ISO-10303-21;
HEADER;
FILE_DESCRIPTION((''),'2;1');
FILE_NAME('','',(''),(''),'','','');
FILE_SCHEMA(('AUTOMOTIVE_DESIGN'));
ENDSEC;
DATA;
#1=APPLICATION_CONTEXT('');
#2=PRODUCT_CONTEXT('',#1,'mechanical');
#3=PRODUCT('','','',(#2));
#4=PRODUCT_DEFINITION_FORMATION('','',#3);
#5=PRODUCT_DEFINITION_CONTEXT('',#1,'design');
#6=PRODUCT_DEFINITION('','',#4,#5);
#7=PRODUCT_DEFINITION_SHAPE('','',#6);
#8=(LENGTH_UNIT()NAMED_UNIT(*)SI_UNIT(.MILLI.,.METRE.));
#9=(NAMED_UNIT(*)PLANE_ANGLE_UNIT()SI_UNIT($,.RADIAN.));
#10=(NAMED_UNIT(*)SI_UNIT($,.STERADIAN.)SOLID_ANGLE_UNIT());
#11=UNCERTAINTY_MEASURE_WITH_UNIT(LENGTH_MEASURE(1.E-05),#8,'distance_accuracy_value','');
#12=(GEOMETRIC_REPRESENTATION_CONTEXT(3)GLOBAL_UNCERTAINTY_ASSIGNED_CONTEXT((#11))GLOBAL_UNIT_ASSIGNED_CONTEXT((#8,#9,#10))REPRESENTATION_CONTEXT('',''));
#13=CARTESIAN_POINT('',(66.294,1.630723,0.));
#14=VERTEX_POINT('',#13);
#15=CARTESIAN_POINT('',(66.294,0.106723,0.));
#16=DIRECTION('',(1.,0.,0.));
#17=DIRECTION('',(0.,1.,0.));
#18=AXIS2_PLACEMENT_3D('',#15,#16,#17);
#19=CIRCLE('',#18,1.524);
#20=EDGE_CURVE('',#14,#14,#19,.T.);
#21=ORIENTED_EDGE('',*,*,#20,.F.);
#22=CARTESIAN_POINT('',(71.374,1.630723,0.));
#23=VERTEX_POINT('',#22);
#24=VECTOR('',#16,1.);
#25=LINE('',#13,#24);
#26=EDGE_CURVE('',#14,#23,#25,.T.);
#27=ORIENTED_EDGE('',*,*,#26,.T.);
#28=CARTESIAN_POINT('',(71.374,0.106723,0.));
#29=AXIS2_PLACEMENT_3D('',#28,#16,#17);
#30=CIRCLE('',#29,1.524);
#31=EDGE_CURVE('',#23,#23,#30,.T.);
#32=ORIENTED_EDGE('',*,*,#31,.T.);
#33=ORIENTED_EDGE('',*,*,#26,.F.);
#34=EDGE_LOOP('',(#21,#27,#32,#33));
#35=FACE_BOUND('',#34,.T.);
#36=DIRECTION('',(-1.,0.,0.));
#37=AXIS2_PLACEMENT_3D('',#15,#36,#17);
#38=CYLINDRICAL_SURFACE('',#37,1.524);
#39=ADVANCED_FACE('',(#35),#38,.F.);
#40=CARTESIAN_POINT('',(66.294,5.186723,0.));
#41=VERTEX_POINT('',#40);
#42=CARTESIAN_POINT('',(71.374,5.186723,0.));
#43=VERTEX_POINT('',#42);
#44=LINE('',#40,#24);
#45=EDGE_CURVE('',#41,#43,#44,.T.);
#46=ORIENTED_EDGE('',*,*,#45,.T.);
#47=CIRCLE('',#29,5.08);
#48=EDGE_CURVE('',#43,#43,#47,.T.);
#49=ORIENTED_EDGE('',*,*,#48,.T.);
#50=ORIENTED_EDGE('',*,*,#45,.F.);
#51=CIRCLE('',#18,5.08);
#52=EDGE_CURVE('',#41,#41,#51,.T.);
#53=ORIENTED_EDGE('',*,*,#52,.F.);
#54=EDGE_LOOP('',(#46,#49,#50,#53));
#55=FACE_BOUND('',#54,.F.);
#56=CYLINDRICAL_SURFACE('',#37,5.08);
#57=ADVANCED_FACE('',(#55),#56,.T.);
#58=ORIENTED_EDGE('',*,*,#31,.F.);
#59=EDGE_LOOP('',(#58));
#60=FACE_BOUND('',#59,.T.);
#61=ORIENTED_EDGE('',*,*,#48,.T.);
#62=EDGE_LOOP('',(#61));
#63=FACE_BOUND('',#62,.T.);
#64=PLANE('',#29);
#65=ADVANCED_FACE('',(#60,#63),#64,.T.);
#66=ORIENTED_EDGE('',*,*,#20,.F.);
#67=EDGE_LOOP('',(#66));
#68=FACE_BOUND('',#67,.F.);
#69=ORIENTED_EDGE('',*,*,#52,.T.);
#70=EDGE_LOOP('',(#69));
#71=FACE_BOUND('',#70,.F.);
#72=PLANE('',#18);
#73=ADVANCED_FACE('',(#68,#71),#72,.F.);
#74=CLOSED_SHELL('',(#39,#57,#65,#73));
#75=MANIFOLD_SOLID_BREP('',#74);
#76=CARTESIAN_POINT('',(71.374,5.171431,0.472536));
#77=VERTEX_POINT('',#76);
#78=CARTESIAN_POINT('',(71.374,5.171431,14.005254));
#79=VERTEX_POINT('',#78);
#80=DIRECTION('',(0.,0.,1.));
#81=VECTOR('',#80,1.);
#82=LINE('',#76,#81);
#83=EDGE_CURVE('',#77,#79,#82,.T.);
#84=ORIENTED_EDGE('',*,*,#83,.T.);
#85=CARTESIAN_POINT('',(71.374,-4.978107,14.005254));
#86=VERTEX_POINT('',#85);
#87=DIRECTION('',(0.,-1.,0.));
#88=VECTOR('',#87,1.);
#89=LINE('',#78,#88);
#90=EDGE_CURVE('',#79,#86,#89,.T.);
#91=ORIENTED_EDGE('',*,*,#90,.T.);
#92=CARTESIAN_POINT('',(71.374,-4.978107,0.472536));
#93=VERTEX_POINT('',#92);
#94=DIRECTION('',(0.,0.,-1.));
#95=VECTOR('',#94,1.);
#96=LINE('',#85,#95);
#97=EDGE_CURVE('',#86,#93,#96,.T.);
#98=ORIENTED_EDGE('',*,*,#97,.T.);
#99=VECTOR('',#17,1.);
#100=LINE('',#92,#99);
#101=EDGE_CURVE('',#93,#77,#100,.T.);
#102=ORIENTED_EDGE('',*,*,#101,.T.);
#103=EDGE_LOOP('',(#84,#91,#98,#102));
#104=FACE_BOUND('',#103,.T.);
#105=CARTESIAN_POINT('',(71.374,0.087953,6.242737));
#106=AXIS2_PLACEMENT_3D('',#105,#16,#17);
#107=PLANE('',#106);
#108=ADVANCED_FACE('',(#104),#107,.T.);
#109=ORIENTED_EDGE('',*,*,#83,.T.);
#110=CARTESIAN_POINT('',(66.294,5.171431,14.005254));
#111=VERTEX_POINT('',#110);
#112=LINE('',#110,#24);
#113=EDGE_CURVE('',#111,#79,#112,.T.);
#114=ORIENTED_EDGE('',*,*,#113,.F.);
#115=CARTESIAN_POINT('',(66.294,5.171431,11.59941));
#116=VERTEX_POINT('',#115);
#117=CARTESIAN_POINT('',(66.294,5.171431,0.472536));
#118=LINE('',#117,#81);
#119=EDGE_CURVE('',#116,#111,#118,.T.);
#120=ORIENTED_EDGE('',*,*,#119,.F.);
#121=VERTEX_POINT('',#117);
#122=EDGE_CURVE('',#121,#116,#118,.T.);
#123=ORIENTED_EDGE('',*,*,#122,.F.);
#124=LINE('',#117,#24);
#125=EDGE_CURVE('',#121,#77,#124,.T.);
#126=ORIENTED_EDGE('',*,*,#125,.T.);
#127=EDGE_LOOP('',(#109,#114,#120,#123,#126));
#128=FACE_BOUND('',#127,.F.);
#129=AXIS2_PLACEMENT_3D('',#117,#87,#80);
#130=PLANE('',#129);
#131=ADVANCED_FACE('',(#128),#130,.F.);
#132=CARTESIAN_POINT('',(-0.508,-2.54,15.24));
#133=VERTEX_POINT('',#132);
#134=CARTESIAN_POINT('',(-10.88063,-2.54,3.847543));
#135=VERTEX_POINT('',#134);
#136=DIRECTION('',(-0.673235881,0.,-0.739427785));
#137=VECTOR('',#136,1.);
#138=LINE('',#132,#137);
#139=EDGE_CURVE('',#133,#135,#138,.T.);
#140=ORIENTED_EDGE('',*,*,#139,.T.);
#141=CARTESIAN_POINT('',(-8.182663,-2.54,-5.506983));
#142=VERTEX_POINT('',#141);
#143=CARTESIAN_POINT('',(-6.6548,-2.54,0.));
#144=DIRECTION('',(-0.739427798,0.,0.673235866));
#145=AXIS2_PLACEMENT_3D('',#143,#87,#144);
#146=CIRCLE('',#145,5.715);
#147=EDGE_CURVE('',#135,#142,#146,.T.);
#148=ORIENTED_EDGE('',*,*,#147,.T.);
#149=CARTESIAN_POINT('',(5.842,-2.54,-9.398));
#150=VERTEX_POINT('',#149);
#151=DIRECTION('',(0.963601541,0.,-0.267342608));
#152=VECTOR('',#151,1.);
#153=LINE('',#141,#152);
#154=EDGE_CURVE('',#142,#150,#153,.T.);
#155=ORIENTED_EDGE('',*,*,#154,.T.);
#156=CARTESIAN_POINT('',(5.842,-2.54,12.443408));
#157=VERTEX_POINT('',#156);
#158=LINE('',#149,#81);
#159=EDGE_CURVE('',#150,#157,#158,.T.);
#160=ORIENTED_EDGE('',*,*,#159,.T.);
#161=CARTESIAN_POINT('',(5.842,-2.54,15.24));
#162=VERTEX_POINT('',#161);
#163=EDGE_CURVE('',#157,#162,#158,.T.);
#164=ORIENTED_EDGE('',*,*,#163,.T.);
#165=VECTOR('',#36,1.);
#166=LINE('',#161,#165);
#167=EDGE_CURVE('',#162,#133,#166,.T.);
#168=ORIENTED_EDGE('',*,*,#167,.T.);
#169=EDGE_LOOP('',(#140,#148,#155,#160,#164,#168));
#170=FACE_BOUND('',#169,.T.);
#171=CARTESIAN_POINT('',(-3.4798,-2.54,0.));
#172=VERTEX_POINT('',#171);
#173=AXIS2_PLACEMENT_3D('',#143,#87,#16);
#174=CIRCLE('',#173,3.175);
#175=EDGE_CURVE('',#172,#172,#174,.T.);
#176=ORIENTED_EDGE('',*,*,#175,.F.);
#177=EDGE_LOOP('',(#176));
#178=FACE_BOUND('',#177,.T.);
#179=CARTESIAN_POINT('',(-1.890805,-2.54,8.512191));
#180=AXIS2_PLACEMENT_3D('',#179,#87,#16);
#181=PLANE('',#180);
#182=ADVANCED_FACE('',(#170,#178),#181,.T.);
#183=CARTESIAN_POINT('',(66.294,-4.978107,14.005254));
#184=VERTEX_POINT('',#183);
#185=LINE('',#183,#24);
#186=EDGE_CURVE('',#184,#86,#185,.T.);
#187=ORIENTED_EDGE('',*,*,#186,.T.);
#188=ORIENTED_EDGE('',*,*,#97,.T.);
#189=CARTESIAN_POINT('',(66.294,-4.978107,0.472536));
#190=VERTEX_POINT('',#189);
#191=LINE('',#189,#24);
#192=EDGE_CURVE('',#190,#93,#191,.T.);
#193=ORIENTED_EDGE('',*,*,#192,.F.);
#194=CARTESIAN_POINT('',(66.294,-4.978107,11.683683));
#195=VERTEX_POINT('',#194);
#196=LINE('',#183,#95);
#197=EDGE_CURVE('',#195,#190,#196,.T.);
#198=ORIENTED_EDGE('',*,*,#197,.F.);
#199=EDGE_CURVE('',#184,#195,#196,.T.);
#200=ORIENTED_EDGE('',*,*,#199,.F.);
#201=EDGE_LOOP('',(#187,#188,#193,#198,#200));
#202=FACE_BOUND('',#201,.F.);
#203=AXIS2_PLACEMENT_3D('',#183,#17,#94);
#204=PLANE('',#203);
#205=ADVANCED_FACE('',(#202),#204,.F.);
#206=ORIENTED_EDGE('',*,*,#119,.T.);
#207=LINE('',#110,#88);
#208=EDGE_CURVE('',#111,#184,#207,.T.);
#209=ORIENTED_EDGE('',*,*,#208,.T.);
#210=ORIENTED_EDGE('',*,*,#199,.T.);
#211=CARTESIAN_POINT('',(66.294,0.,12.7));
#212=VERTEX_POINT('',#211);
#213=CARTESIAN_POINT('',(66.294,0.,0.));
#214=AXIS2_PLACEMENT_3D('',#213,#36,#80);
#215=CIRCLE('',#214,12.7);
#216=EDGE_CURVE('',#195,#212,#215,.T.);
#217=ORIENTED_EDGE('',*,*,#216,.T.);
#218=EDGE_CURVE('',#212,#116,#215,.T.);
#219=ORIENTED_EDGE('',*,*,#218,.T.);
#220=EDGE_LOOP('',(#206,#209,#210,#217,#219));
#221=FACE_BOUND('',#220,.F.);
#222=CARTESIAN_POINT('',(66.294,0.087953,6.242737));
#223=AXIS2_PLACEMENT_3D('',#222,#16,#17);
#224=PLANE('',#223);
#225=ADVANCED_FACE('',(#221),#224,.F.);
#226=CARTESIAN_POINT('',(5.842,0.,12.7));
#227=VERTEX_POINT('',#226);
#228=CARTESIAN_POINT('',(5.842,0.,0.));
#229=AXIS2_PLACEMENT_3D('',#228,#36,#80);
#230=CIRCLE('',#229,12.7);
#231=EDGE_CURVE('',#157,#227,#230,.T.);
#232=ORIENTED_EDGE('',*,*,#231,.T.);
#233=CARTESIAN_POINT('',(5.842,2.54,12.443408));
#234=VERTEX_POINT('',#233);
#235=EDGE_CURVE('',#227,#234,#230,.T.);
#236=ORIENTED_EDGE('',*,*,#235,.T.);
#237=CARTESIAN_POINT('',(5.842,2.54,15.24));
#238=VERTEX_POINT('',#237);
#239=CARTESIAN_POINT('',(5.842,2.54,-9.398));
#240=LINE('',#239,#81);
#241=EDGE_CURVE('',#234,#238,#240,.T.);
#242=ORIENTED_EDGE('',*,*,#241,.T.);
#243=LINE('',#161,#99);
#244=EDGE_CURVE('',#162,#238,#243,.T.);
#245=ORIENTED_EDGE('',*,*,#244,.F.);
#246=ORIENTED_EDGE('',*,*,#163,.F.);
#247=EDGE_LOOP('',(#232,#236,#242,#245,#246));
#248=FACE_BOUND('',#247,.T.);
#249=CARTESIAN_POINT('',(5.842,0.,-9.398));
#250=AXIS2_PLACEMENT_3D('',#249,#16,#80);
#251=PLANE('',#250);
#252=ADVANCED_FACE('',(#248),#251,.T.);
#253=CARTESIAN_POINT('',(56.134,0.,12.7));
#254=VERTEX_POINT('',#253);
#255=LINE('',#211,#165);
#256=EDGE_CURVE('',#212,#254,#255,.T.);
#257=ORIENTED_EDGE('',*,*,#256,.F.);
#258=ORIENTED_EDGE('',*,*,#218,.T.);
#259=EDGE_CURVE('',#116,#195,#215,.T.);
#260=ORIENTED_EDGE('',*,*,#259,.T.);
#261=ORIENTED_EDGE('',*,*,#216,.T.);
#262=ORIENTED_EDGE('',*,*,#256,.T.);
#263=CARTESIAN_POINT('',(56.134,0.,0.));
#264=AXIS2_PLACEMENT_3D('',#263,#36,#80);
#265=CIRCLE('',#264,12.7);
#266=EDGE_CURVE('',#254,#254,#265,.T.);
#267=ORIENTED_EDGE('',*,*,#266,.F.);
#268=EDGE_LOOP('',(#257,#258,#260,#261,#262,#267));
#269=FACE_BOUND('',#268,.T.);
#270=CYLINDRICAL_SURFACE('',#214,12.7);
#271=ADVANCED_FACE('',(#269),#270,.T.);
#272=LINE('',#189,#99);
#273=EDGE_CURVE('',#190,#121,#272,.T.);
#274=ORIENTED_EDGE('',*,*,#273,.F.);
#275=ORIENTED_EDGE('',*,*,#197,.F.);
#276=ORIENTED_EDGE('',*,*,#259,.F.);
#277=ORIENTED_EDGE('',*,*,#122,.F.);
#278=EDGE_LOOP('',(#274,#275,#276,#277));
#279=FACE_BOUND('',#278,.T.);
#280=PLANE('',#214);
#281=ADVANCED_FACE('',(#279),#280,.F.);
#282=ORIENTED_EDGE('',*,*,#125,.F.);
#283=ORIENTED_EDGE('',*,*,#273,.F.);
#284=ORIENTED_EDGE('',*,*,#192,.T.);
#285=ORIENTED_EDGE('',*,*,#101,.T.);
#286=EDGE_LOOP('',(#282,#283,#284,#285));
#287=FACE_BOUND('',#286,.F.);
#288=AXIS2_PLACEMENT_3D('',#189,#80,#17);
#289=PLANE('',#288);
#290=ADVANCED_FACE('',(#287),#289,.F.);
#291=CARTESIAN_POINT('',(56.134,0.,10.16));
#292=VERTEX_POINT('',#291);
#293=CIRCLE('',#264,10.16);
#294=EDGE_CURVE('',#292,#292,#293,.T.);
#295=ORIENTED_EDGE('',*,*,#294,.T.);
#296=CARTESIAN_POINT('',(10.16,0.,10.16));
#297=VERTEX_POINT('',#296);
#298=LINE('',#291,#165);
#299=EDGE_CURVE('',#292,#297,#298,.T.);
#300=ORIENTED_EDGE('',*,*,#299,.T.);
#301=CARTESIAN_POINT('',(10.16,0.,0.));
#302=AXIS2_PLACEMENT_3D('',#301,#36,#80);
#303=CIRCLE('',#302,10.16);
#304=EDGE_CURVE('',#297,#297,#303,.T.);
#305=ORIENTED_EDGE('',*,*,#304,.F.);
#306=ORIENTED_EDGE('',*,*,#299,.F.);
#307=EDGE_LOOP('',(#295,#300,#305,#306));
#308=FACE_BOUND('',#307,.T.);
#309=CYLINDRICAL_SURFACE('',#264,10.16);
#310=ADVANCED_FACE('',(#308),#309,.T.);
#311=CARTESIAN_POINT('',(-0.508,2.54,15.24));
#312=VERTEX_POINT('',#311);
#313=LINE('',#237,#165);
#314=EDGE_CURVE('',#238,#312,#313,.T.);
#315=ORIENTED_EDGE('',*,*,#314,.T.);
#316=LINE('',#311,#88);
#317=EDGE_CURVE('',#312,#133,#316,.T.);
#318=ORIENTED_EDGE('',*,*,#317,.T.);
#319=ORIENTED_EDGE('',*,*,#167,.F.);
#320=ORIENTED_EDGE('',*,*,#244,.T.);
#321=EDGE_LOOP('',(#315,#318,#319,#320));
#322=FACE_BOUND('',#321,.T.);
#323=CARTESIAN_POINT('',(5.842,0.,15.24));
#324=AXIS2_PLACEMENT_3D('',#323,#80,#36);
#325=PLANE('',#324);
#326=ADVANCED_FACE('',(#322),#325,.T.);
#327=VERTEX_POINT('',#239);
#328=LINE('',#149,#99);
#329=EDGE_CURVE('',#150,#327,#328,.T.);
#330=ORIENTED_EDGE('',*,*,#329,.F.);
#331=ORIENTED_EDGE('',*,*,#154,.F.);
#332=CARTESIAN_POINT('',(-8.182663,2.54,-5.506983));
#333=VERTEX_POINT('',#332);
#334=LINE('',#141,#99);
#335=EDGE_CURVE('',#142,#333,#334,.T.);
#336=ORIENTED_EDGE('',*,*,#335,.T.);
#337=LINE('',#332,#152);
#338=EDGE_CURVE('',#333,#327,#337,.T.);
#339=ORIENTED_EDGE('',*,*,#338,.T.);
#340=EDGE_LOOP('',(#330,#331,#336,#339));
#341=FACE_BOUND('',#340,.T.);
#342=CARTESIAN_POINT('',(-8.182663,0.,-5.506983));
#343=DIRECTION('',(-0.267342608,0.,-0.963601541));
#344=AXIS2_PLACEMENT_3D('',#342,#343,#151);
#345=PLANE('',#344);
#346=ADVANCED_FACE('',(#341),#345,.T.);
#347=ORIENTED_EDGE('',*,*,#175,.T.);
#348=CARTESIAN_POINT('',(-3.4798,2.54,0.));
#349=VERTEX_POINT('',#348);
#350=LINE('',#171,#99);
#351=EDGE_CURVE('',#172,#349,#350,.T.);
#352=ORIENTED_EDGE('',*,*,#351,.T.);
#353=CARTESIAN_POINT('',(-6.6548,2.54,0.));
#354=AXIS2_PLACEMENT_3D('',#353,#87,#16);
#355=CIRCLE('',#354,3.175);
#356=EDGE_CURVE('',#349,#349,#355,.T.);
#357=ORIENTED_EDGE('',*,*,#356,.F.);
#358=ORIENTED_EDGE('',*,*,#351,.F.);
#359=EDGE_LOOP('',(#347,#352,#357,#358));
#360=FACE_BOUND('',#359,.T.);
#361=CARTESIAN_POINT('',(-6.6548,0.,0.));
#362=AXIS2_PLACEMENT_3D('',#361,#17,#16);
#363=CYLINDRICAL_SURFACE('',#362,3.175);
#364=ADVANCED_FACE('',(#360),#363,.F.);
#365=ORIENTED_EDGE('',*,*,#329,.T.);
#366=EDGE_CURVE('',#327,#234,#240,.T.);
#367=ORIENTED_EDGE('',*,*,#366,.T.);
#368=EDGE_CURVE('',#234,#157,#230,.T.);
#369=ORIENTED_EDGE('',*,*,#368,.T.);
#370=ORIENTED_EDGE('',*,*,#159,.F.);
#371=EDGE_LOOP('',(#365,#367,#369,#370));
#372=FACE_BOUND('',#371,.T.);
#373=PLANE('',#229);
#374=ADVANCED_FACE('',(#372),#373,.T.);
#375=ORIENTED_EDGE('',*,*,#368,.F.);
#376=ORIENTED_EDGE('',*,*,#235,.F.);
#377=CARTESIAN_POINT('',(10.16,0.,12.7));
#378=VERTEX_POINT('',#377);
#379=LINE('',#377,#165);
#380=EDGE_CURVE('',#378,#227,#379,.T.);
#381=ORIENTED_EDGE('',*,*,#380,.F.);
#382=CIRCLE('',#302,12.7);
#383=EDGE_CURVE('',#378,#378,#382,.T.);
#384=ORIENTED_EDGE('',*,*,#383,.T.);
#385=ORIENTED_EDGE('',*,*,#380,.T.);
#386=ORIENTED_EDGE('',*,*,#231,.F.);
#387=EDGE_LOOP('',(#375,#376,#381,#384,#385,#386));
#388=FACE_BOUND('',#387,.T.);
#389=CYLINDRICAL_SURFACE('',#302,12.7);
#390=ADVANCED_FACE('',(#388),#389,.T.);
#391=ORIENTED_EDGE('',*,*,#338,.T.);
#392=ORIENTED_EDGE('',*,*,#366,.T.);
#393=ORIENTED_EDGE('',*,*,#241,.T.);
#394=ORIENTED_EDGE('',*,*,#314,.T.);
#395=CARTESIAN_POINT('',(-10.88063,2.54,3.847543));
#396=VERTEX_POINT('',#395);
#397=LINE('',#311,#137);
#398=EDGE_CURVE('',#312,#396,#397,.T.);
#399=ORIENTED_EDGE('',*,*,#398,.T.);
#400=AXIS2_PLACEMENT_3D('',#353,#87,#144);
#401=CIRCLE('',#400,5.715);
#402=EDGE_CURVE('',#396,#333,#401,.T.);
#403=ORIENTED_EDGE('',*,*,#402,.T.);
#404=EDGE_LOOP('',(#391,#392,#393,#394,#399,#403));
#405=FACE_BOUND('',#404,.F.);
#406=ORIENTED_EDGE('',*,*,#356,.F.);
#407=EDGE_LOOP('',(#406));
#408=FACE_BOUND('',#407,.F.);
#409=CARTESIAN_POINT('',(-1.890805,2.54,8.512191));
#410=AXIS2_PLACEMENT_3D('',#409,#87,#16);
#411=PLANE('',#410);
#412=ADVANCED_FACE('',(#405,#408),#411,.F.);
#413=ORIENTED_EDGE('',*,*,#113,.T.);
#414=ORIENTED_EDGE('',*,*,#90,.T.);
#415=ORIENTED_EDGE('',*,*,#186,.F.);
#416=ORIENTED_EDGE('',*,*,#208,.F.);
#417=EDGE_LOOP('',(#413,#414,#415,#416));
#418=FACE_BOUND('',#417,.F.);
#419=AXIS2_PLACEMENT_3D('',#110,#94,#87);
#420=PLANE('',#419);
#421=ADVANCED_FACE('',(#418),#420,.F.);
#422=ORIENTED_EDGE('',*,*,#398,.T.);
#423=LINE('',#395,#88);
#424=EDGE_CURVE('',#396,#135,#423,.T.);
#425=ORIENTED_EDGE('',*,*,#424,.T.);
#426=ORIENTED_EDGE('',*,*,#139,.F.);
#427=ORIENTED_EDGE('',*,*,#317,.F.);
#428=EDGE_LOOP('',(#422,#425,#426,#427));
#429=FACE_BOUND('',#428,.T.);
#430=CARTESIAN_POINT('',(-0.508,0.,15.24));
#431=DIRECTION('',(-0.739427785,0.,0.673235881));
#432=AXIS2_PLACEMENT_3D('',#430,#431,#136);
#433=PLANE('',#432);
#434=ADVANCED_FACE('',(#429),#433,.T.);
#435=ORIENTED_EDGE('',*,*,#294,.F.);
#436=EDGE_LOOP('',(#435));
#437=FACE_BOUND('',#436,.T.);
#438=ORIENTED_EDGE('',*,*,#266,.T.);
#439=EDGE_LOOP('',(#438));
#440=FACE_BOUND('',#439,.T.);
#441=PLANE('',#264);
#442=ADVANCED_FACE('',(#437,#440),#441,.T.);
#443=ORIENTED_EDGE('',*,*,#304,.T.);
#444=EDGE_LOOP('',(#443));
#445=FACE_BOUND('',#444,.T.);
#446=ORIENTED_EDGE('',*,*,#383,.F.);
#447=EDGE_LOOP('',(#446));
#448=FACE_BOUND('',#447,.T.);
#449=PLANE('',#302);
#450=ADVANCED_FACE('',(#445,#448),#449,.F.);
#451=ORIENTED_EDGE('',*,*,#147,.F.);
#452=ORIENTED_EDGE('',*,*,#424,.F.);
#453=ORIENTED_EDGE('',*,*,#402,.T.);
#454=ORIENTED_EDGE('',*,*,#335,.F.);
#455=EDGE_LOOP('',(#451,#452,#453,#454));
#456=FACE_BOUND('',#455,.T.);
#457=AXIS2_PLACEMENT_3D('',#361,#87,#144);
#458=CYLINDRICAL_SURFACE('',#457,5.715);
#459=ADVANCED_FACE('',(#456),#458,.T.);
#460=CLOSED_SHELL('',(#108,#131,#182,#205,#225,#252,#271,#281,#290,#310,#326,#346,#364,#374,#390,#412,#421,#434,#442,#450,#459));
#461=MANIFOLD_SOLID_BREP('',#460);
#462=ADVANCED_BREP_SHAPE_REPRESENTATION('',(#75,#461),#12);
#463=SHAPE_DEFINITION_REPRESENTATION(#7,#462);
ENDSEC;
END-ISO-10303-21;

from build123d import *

# Parameters (mm, degrees)
F5_DEPTH = 5.08
F3_R     = 5.08
F3_R_2   = 1.524
F6_DEPTH = 5.08
F0_W     = 5.842
F0_H     = 12.7
F0_R     = 3.175
F7_DEPTH = 2.54


with BuildPart() as f1:
    # F0 (on Front) → F1 (revolve)
    with BuildSketch(Plane.XZ):
        Polygon((5.842, 12.7), (5.842, 0), (66.294, 0), (66.294, 12.7), (56.134, 12.7), (56.134, 10.16), (10.16, 10.16), (10.16, 12.7), align=None)
    revolve(axis=Axis((33.147, 0, 0), (-1, 0, 0)))

    # F4 (on face) → F5 (join)
    with BuildSketch(Plane.YZ.offset(66.294)):
        with BuildLine():
            Line((-4.978107, 11.683683), (-4.978107, 0.472536))
            Line((-4.978107, 0.472536), (5.171431, 0.472536))
            Line((5.171431, 0.472536), (5.171431, 11.599409))
            ThreePointArc((5.171431, 11.599409), (0.105447, 12.699562), (-4.978107, 11.683683))
        make_face()
        with BuildLine():
            Line((-4.978107, 14.005254), (-4.978107, 11.683683))
            ThreePointArc((-4.978107, 11.683683), (0.105447, 12.699562), (5.171431, 11.599409))
            Line((5.171431, 11.599409), (5.171431, 14.005254))
            Line((5.171431, 14.005254), (-4.978107, 14.005254))
        make_face()
    extrude(amount=F5_DEPTH)

    # F0 (on Front) → F7 (join, symmetric)
    with BuildSketch(Plane.XZ):
        with BuildLine():
            Line((-0.9398, 0), (0, 0))
            Line((0, 0), (0, 12.7))
            Line((0, 12.7), (5.842, 12.7))
            Line((5.842, 12.7), (5.842, 15.24))
            Line((5.842, 15.24), (-0.508, 15.24))
            Line((-0.508, 15.24), (-10.88063, 3.847543))
            ThreePointArc((-10.88063, 3.847543), (-4.591961, 5.329721), (-0.9398, 0))
        make_face()
        with Locations((2.921, 6.35)):
            Rectangle(F0_W, F0_H)
        with BuildLine():
            Line((5.842, 0), (0, 0))
            Line((0, 0), (-0.9398, 0))
            ThreePointArc((-0.9398, 0), (-3.195791, -4.549339), (-8.182663, -5.506983))
            Line((-8.182663, -5.506983), (5.842, -9.398))
            Line((5.842, -9.398), (5.842, 0))
        make_face()
        with BuildLine():
            ThreePointArc((-8.182663, -5.506983), (-3.195791, -4.549339), (-0.9398, 0))
            ThreePointArc((-0.9398, 0), (-4.591961, 5.329721), (-10.88063, 3.847543))
            ThreePointArc((-10.88063, 3.847543), (-12.145978, -1.583727), (-8.182663, -5.506983))
        make_face()
        with Locations((-6.6548, 0)):
            Circle(F0_R, mode=Mode.SUBTRACT)
    extrude(amount=F7_DEPTH, both=True)


with BuildPart() as f6:
    # F3 (on face) → F6 (new body)
    with BuildSketch(Plane.YZ.offset(66.294)):
        with Locations((0.106723, 0)):
            Circle(F3_R)
        with Locations((0.106723, 0)):
            Circle(F3_R_2, mode=Mode.SUBTRACT)
    extrude(amount=F6_DEPTH)


solid = Compound([f1.part, f6.part])
